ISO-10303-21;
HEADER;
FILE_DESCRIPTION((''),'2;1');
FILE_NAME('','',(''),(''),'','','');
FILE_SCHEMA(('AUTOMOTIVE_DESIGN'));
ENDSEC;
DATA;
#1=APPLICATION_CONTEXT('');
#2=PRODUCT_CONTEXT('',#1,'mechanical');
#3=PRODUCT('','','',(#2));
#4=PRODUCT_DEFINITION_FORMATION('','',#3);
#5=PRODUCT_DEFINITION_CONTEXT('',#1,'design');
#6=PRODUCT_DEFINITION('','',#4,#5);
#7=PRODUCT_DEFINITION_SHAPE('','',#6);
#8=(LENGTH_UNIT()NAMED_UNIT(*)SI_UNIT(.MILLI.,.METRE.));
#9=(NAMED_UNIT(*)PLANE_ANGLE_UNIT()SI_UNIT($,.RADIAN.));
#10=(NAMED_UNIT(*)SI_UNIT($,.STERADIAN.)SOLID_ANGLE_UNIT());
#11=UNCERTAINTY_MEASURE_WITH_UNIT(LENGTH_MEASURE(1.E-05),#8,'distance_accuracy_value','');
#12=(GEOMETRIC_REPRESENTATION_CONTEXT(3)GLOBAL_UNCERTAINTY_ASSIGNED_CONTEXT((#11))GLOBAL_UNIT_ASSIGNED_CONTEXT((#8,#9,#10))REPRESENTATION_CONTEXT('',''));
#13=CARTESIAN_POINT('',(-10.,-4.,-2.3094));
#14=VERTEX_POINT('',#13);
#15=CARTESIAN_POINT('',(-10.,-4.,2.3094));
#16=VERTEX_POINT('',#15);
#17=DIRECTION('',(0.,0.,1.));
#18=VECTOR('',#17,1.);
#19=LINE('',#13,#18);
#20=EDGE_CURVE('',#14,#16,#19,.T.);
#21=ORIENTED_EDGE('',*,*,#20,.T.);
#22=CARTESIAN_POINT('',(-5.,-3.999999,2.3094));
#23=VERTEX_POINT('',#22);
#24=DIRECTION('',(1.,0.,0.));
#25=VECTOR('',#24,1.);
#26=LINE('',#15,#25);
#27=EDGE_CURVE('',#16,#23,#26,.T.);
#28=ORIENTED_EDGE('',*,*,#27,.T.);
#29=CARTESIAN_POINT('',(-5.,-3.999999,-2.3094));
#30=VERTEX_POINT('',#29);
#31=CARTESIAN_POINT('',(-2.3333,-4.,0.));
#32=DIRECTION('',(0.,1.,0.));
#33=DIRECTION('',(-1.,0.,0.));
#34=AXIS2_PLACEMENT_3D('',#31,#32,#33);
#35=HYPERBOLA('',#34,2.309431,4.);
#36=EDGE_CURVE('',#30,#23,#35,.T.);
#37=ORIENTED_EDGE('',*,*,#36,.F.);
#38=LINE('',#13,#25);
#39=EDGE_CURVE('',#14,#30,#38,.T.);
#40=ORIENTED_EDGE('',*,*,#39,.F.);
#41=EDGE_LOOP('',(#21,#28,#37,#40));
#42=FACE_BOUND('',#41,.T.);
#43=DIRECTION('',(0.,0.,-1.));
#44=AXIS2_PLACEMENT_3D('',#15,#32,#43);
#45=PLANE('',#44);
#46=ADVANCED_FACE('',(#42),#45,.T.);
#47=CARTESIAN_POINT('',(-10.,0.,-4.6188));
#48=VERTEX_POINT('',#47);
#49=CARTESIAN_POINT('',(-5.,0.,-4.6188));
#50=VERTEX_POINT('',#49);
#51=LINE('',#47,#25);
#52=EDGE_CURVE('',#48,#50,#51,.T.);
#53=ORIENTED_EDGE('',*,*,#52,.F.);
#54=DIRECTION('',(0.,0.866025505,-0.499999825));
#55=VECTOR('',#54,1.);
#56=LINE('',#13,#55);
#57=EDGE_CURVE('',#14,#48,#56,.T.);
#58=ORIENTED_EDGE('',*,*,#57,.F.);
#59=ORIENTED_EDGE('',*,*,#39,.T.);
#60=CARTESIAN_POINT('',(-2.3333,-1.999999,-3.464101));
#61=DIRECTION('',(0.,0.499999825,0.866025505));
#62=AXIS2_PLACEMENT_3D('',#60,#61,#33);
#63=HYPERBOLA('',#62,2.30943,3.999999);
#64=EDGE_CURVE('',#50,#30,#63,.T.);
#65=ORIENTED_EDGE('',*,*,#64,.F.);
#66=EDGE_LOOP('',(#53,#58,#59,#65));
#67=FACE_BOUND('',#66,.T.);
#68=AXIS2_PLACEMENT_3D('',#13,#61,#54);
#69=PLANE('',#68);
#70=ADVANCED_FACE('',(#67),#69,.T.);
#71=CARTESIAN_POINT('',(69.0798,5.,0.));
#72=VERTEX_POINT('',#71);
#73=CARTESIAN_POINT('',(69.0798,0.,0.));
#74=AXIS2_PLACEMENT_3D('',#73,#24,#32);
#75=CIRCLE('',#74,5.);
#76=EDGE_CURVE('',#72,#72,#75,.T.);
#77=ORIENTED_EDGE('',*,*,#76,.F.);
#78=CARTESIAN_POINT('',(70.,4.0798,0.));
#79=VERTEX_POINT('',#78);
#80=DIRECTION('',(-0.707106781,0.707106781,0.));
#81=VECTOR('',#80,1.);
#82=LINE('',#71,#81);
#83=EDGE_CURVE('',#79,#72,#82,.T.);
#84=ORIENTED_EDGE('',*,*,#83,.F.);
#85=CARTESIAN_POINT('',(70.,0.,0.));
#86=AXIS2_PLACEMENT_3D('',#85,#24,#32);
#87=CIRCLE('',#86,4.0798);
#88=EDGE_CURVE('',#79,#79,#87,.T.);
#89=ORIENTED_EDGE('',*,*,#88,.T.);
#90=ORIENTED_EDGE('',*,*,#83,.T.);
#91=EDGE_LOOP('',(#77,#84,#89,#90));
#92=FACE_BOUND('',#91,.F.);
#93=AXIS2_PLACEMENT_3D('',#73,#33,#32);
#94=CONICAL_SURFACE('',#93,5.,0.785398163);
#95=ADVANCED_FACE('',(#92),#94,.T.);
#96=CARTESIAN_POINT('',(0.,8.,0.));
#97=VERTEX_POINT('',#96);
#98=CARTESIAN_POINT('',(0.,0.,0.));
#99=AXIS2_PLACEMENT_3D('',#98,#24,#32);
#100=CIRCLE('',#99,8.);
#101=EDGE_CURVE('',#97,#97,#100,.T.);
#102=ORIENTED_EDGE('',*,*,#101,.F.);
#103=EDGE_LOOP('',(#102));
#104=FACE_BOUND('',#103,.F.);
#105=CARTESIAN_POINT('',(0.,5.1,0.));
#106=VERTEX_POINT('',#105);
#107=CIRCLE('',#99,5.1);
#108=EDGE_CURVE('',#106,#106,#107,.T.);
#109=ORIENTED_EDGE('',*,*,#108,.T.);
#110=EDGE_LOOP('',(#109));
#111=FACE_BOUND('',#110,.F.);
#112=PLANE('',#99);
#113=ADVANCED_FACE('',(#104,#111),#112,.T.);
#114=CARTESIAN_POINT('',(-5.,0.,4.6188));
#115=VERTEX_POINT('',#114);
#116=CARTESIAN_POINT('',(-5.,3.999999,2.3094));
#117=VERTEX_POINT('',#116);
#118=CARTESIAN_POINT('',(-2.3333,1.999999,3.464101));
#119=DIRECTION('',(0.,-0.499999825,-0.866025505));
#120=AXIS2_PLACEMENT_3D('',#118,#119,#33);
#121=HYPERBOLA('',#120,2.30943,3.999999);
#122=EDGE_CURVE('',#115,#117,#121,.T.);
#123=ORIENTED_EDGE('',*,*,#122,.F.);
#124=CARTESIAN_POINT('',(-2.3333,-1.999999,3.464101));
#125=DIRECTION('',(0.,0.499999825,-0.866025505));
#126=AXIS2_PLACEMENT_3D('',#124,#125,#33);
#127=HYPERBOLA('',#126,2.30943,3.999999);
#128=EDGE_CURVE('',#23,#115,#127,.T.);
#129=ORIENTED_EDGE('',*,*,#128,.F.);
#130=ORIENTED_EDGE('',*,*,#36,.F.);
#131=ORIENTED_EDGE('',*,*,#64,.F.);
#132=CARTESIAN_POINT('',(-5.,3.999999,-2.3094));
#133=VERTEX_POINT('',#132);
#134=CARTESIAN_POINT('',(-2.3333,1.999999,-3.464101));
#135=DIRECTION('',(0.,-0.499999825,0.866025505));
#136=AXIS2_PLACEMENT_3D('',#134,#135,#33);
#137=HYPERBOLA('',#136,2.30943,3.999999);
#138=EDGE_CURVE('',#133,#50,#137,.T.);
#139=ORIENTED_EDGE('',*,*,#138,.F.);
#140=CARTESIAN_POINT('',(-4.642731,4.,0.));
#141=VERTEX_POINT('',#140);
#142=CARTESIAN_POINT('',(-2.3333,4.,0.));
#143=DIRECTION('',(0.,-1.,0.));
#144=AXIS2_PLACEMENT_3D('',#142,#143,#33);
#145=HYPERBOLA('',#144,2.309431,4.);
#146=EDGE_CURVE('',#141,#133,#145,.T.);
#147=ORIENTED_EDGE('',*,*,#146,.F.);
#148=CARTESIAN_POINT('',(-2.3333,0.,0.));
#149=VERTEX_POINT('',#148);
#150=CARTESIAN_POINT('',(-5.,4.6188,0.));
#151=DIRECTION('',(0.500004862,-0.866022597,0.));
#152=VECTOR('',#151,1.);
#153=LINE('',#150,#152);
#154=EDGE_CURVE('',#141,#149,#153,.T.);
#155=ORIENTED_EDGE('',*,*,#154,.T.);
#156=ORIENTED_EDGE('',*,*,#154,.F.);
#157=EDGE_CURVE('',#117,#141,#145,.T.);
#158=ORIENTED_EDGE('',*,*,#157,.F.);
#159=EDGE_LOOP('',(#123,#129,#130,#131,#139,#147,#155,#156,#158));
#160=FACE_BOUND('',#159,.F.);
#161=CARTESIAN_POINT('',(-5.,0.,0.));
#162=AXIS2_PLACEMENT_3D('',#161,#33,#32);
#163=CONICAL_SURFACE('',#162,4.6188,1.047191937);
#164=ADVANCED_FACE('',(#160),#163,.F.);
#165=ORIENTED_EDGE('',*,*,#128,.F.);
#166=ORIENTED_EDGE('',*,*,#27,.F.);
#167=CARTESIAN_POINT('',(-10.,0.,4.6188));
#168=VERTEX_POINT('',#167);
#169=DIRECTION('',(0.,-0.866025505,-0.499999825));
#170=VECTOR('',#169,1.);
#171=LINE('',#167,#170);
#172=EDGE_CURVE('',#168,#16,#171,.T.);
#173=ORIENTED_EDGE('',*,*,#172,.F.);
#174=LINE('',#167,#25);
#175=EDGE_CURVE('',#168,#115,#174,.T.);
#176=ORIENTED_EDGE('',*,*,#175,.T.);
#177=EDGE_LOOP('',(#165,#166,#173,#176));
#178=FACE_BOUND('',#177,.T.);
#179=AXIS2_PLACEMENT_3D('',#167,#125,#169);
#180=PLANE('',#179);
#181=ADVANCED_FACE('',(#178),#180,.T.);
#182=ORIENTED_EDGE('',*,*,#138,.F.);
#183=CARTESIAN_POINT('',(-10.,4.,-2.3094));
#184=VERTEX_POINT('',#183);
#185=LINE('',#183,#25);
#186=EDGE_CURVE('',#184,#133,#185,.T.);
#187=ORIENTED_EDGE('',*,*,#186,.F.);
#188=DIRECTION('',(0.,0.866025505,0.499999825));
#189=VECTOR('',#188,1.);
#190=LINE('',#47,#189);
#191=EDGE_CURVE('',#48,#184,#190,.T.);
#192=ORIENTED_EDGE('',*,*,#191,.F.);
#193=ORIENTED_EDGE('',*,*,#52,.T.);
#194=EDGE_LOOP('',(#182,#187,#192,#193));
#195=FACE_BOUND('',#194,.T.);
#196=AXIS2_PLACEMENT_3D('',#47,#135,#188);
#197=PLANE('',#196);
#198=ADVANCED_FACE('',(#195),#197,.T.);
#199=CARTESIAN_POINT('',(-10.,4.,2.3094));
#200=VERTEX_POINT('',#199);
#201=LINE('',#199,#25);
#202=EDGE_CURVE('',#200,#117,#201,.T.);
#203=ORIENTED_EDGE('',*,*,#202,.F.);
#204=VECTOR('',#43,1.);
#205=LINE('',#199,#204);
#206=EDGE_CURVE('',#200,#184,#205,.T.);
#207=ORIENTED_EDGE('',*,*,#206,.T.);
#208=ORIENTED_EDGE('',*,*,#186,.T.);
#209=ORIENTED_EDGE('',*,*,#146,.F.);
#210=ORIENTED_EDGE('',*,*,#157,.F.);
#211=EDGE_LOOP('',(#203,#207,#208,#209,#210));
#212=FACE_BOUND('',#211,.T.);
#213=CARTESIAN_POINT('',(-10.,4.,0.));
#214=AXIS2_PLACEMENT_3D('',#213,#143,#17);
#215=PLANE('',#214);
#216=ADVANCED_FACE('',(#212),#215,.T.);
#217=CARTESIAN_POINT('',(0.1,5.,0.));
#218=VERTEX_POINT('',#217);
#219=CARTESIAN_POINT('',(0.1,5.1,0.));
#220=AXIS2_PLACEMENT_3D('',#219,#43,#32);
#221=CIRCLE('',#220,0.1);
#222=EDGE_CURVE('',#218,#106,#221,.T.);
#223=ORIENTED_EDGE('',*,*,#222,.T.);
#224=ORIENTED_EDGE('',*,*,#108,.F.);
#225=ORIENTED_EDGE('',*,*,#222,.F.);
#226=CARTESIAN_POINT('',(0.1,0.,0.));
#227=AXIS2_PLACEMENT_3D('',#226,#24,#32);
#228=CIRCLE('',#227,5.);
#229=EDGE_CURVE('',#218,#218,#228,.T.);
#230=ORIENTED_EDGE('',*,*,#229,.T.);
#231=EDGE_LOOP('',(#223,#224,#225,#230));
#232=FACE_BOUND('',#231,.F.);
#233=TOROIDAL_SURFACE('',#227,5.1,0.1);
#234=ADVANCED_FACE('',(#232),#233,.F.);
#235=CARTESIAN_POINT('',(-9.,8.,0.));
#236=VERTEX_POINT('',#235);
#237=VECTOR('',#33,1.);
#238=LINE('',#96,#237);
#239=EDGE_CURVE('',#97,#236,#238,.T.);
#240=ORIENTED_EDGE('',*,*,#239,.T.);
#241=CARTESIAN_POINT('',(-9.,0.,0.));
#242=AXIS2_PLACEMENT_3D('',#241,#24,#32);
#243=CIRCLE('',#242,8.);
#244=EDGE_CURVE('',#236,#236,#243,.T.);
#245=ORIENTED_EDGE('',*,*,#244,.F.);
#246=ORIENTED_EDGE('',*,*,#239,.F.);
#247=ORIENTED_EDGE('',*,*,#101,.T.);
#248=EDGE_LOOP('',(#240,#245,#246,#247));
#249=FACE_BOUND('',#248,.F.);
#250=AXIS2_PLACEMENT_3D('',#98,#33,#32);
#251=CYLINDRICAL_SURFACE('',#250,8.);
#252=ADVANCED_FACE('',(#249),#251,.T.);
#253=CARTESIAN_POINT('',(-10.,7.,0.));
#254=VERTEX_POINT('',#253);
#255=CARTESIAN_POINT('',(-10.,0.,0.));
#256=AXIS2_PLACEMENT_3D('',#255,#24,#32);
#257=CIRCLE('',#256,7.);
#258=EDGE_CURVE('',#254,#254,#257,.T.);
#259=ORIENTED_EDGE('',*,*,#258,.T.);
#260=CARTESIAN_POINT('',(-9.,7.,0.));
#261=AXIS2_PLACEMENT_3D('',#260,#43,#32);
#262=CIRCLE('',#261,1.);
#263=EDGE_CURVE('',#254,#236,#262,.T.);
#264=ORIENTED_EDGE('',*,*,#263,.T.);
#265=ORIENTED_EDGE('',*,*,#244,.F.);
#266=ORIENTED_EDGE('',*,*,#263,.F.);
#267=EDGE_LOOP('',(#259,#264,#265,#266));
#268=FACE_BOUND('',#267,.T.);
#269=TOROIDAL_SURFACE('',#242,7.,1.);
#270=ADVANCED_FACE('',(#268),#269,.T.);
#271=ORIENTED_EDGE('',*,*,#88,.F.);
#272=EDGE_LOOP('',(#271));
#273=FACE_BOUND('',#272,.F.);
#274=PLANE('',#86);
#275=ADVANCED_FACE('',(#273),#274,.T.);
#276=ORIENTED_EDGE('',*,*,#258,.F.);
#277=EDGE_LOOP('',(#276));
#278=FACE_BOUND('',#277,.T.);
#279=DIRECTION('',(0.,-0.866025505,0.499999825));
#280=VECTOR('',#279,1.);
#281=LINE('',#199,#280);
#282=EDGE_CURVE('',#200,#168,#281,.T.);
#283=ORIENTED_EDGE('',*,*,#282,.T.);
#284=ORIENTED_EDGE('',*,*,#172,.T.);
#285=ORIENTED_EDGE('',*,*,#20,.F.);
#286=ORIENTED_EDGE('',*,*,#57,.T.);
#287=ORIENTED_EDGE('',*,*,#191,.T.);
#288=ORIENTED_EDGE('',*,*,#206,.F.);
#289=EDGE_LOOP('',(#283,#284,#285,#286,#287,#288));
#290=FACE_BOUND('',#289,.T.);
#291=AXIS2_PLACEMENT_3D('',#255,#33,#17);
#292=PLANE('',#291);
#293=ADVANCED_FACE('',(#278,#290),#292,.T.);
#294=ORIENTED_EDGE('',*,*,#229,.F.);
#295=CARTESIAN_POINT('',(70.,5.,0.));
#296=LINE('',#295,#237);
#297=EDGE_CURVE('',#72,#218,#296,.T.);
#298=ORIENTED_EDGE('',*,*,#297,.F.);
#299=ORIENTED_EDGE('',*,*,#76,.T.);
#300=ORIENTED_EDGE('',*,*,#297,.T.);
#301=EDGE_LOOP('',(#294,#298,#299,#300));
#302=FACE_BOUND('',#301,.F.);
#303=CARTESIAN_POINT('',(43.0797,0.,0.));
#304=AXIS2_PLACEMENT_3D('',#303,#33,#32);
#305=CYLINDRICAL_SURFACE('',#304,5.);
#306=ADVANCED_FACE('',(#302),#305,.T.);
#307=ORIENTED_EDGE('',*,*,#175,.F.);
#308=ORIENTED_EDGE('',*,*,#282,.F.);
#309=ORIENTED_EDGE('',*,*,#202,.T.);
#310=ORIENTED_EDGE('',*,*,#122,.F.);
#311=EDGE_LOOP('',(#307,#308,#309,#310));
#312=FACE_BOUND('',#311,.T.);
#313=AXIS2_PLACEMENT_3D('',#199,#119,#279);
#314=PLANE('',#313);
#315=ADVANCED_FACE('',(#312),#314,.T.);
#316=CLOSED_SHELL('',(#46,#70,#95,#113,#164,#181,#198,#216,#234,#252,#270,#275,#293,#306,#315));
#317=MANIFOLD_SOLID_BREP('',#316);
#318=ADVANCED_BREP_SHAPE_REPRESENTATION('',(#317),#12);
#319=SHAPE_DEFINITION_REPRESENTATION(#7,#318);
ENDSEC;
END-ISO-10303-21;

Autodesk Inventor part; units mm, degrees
ref_plane "YZ Plane" through (0, 0, 0) normal (1, 0, 0) x (0, 1, 0)
ref_plane "XZ Plane" through (0, 0, 0) normal (0, 1, 0) x (-1, 0, 0)
sketch "Эскиз1" plane through (0, 0, 0) normal (0, 0, 1) x (1, 0, 0)
  line L0 (-2.3333, 0) -> (70, 0)
  line L1 (70, 0) -> (70, 5)
  line L2 (70, 5) -> (44, 5)
  line L3 (44, 5) -> (43.0797, 5)
  line L4 (43.0797, 5) -> (0, 5)
  line L5 (0, 5) -> (0, 8)
  line L6 (0, 8) -> (-10, 8)
  line L7 (-10, 8) -> (-10, 4.6188)
  line L8 (-10, 4.6188) -> (-5, 4.6188)
  line L9 (-5, 4.6188) -> (-2.3333, 0)
  line L10 (-26, 0) -> (86, 0) projected
  line L11 (0, -1.6) -> (0, 9.6) projected
  line L12 (44, 5) -> (0, 5) construction
  dimension "d1" = 26
  dimension "d2" = 0.9203
  dimension "d3" = 10
  dimension "d4" = 5
  dimension "d5" = 60
  dimension "d6" = 10
  dimension "d7" = 10
  dimension "d8" = 9.2376
  dimension "d9" = 16
  dimension "d26" = 70
revolve "Базовый элемент" add sketch "Эскиз1" angle 360 about axis through (-2.3333, 0, 0) along (1, 0, 0)
sketch "Эскиз2" plane through (-10, 0, 0) normal (-1, 0, 0) x (0, 0, 1)
  circle A0 centre (0, 0) radius 4.6188 projected
  line L0 (0, -11.2) -> (0, 11.2) projected
  line L1 (-11.2, 0) -> (11.2, 0) projected
  line L2 (4.6188, 0) -> (2.3094, -4)
  line L3 (2.3094, -4) -> (-2.3094, -4)
  line L4 (-2.3094, -4) -> (-4.6188, 0)
  line L5 (-4.6188, 0) -> (-2.3094, 4)
  line L6 (-2.3094, 4) -> (2.3094, 4)
  line L7 (2.3094, 4) -> (4.6188, 0)
extrude "Паз" add sketch "Эскиз2" against normal up to next contours L7 A0 | A0 L2 | L6 L0 A0 | A0 L0 L3 | L0 L6 A0 | A0 L3 L0 | L4 A0 | A0 L5
fillet "Сопряжение1" radius 1 1 edges at (-10, -8, 0)
thread "Резьба" size "M10x1.5" class "6g" standard "ISO Metric profile" length 26
chamfer "Фаска1" distance 0.9202 distance2 0.9202 1 edges at (70, -5, 0) measured on face at (70, -1.8775, -0.7745)
ref_plane "Work Plane1" through (29, 0, 0) normal (0, -1, 0) x (1, 0, 0)
fillet "Fillet2" radius 0.1 1 edges at (0, -5, 0)
equation "\"d1\" = GEL"
equation "\"d3\" = KOH"
equation "\"d4\" = INTI"
equation "\"d6\" = GD"
equation "\"d7\" = BDM"
equation "\"d8\" = 1.1547 * SW"
equation "\"d9\" = KOD"
equation "\"d30\" = R"
equation "\"d17\" = RR"
equation "\"d13\" = GEL"
equation "\"d15\" = -0.5 * SPD + 0.5 * GD"
equation "\"d16\" = GUL"
equation "\"GD\" = NND"
equation "\"NLG\" = 75"
equation "\"GEL\" = 26"
equation "\"KOD\" = 16"
equation "\"KOH\" = NND"
equation "\"INTI\" = 5"
equation "\"GAL\" = 0.61345 * PTC"
equation "\"GUL\" = 0.61345 * PTC"
equation "\"BDM\" = NND"
equation "\"SW\" = 8"
equation "\"RR\" = 0.1 * NND"
equation "\"SPD\" = NND - 1.2269 * PTC"
equation "\"R\" = 0.1"
equation "\"PHH\" = 0.2"
equation "\"GD1\" = THREADDIA - 1.2269 * PTC"
equation "\"FAWI\" = 45deg"
equation "\"PTC\" = 1.5"
equation "\"KOH1\" = 9"
equation "\"TOA\" = 30deg"
equation "\"E0\" = 1.155 * SW"
equation "\"NND\" = 10"
equation "\"THREADDIA\" = 10"
properties part number "AS 1420 - 1973 - M10 x 75" material "Сталь, мягкая"
